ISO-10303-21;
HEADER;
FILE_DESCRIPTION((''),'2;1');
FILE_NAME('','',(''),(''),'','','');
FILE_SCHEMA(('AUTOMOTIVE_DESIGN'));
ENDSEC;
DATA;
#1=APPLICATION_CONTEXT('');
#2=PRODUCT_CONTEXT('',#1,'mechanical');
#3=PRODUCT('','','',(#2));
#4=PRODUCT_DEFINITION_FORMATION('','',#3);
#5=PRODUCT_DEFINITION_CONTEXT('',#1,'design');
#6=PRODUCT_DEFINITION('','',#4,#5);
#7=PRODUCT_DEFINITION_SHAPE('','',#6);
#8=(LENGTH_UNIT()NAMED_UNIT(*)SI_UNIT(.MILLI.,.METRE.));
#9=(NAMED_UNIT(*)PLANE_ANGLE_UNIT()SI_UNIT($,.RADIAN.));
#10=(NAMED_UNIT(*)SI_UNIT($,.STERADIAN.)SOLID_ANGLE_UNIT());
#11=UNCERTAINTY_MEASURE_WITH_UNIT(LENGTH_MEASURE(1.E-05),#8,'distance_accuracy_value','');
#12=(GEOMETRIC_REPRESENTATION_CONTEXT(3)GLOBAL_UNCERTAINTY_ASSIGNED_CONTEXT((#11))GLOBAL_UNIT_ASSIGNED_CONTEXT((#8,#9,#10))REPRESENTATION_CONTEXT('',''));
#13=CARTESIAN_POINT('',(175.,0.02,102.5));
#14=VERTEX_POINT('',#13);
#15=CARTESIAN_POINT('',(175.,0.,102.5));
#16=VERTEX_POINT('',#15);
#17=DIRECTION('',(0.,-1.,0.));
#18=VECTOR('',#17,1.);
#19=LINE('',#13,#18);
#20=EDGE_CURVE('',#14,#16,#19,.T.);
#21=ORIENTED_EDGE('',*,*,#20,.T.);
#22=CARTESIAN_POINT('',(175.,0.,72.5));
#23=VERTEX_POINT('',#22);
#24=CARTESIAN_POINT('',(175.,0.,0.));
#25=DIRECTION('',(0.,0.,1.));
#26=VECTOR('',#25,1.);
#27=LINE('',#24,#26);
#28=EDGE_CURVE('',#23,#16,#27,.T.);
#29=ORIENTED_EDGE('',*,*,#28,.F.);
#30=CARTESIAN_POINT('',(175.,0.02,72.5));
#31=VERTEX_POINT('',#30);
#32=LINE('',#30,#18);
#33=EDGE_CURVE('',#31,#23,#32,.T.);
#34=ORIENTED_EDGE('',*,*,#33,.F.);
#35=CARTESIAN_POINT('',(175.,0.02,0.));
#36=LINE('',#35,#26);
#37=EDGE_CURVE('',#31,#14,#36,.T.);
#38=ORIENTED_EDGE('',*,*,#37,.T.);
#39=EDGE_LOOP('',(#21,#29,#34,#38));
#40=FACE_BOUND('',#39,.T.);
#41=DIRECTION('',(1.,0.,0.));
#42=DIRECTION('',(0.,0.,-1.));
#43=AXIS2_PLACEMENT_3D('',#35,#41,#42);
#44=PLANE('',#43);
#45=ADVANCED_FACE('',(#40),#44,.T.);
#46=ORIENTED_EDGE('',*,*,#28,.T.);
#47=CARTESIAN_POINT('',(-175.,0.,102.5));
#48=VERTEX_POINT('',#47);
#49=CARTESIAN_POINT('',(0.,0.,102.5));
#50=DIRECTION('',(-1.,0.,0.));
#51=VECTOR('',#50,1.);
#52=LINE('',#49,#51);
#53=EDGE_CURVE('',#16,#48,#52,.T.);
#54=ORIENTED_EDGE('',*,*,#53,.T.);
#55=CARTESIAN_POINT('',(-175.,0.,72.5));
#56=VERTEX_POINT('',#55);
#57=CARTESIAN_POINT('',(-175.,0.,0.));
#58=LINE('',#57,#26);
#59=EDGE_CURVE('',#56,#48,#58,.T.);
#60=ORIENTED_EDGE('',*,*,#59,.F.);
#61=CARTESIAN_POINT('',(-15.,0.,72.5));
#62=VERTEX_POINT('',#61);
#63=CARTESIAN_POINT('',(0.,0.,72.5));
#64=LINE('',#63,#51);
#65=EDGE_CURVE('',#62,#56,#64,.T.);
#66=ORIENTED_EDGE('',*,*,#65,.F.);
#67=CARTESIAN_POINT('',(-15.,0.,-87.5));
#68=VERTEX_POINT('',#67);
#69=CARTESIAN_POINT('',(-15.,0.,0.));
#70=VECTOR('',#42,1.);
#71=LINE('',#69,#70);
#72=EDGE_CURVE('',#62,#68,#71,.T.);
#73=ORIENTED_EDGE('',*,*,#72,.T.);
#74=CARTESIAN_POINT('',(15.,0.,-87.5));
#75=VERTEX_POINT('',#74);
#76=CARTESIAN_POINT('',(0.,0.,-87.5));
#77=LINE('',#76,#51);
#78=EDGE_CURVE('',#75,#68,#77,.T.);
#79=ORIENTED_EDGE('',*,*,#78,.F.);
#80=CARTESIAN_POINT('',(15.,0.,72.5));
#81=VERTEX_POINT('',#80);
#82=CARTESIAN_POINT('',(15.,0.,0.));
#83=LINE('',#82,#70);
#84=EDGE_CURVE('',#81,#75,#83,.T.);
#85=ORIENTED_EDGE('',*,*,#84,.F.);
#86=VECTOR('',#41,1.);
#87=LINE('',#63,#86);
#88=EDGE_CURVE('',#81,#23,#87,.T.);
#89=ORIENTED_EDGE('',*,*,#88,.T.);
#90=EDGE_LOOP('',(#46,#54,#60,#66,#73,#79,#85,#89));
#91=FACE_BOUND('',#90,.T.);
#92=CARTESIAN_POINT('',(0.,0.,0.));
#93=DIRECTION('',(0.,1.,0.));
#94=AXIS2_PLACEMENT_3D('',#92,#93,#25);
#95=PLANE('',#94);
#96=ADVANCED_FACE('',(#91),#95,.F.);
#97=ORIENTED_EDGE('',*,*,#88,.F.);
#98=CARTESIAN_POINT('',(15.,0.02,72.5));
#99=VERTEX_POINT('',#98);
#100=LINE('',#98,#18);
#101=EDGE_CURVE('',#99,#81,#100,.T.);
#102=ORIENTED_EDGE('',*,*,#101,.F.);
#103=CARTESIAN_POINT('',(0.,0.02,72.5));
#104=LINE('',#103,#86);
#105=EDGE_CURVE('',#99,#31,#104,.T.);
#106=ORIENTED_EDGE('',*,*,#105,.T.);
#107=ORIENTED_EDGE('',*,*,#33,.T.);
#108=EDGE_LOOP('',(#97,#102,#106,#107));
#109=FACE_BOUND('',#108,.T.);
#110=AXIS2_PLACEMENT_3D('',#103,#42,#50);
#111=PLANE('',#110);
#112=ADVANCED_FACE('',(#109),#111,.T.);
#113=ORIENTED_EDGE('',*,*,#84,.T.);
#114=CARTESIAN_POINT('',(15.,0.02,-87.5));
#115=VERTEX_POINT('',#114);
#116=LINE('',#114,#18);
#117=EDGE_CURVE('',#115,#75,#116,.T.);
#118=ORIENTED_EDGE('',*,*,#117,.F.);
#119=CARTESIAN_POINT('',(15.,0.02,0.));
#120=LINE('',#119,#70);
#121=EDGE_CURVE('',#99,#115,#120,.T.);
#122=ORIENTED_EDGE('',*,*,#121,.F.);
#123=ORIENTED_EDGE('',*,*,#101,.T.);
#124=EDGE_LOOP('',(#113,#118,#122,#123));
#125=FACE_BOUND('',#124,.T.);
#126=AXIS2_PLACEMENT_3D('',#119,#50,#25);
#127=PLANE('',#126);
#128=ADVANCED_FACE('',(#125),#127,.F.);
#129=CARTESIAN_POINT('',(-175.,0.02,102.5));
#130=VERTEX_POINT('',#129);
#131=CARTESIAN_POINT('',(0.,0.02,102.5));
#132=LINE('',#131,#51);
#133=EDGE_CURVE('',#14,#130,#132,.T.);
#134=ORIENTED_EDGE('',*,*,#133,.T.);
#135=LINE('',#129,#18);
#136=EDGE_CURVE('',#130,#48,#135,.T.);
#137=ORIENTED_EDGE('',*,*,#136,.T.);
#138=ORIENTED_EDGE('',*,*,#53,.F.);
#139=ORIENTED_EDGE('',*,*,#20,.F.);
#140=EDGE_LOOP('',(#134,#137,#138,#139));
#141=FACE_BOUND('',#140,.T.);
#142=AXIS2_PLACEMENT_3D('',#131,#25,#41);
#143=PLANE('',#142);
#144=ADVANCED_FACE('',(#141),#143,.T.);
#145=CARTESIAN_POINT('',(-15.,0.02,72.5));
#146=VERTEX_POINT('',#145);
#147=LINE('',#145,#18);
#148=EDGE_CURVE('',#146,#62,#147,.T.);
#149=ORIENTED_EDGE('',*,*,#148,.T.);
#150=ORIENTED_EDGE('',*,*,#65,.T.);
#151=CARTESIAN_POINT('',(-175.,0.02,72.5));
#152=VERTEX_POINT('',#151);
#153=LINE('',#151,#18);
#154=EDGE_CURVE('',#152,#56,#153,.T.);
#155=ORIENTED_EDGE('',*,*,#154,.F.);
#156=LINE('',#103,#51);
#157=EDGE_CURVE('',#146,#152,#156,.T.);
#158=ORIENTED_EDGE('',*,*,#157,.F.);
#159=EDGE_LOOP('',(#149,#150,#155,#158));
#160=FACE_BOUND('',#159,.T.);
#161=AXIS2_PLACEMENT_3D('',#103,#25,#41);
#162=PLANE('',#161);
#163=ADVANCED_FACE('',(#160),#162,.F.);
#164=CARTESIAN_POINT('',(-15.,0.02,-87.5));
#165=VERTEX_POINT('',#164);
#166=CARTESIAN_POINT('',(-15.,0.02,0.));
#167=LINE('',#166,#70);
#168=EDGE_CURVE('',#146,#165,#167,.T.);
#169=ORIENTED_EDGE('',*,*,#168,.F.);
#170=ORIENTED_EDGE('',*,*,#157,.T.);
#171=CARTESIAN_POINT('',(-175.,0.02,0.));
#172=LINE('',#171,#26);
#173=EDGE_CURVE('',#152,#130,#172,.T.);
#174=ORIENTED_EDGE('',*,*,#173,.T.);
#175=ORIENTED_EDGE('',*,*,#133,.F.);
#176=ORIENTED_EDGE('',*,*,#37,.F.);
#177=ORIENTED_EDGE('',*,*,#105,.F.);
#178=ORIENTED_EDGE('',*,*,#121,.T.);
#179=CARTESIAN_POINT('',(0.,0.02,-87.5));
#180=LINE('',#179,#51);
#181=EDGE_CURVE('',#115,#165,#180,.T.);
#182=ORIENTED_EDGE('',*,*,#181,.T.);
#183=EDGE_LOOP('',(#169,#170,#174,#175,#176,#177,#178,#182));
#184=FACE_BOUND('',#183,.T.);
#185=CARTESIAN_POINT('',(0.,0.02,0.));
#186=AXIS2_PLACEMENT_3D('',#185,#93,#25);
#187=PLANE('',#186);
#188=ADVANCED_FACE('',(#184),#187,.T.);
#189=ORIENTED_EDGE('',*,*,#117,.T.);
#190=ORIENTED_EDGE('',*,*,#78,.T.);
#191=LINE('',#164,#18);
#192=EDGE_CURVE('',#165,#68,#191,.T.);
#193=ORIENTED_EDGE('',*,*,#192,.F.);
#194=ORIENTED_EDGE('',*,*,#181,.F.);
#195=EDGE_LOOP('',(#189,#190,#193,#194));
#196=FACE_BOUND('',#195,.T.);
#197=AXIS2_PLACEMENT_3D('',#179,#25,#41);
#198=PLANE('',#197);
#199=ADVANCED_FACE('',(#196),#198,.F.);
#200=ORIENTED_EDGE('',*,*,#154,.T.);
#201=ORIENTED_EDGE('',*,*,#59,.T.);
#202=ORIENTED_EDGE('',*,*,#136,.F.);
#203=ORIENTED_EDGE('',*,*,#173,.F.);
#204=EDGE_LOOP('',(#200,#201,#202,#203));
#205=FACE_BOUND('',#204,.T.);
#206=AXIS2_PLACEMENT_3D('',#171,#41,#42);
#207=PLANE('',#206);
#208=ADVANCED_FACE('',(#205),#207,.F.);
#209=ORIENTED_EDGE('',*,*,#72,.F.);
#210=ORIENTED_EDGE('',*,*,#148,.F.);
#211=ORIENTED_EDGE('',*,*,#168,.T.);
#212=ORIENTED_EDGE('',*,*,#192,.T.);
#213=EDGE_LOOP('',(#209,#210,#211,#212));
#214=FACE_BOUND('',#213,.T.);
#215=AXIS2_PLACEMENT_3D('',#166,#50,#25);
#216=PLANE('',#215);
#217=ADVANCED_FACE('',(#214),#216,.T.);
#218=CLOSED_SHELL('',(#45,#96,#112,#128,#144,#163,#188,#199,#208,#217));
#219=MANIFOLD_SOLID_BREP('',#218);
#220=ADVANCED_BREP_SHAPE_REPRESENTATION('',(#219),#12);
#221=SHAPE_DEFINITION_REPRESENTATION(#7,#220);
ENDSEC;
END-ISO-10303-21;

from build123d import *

# Parameters (mm, degrees)
BOSS_EXTRUDE3_DEPTH = 0.02


with BuildPart() as part:
    # Sketch3 → Boss-Extrude3 (new body)
    with BuildSketch(Plane(origin=(0, 0, 0), x_dir=(1, 0, 0), z_dir=(0, 1, 0))):
        Polygon((175, -102.5), (175, -72.5), (15, -72.5), (15, 87.5), (-15, 87.5), (-15, -72.5), (-175, -72.5), (-175, -102.5), align=None)
    extrude(amount=BOSS_EXTRUDE3_DEPTH)


solid = part.part
